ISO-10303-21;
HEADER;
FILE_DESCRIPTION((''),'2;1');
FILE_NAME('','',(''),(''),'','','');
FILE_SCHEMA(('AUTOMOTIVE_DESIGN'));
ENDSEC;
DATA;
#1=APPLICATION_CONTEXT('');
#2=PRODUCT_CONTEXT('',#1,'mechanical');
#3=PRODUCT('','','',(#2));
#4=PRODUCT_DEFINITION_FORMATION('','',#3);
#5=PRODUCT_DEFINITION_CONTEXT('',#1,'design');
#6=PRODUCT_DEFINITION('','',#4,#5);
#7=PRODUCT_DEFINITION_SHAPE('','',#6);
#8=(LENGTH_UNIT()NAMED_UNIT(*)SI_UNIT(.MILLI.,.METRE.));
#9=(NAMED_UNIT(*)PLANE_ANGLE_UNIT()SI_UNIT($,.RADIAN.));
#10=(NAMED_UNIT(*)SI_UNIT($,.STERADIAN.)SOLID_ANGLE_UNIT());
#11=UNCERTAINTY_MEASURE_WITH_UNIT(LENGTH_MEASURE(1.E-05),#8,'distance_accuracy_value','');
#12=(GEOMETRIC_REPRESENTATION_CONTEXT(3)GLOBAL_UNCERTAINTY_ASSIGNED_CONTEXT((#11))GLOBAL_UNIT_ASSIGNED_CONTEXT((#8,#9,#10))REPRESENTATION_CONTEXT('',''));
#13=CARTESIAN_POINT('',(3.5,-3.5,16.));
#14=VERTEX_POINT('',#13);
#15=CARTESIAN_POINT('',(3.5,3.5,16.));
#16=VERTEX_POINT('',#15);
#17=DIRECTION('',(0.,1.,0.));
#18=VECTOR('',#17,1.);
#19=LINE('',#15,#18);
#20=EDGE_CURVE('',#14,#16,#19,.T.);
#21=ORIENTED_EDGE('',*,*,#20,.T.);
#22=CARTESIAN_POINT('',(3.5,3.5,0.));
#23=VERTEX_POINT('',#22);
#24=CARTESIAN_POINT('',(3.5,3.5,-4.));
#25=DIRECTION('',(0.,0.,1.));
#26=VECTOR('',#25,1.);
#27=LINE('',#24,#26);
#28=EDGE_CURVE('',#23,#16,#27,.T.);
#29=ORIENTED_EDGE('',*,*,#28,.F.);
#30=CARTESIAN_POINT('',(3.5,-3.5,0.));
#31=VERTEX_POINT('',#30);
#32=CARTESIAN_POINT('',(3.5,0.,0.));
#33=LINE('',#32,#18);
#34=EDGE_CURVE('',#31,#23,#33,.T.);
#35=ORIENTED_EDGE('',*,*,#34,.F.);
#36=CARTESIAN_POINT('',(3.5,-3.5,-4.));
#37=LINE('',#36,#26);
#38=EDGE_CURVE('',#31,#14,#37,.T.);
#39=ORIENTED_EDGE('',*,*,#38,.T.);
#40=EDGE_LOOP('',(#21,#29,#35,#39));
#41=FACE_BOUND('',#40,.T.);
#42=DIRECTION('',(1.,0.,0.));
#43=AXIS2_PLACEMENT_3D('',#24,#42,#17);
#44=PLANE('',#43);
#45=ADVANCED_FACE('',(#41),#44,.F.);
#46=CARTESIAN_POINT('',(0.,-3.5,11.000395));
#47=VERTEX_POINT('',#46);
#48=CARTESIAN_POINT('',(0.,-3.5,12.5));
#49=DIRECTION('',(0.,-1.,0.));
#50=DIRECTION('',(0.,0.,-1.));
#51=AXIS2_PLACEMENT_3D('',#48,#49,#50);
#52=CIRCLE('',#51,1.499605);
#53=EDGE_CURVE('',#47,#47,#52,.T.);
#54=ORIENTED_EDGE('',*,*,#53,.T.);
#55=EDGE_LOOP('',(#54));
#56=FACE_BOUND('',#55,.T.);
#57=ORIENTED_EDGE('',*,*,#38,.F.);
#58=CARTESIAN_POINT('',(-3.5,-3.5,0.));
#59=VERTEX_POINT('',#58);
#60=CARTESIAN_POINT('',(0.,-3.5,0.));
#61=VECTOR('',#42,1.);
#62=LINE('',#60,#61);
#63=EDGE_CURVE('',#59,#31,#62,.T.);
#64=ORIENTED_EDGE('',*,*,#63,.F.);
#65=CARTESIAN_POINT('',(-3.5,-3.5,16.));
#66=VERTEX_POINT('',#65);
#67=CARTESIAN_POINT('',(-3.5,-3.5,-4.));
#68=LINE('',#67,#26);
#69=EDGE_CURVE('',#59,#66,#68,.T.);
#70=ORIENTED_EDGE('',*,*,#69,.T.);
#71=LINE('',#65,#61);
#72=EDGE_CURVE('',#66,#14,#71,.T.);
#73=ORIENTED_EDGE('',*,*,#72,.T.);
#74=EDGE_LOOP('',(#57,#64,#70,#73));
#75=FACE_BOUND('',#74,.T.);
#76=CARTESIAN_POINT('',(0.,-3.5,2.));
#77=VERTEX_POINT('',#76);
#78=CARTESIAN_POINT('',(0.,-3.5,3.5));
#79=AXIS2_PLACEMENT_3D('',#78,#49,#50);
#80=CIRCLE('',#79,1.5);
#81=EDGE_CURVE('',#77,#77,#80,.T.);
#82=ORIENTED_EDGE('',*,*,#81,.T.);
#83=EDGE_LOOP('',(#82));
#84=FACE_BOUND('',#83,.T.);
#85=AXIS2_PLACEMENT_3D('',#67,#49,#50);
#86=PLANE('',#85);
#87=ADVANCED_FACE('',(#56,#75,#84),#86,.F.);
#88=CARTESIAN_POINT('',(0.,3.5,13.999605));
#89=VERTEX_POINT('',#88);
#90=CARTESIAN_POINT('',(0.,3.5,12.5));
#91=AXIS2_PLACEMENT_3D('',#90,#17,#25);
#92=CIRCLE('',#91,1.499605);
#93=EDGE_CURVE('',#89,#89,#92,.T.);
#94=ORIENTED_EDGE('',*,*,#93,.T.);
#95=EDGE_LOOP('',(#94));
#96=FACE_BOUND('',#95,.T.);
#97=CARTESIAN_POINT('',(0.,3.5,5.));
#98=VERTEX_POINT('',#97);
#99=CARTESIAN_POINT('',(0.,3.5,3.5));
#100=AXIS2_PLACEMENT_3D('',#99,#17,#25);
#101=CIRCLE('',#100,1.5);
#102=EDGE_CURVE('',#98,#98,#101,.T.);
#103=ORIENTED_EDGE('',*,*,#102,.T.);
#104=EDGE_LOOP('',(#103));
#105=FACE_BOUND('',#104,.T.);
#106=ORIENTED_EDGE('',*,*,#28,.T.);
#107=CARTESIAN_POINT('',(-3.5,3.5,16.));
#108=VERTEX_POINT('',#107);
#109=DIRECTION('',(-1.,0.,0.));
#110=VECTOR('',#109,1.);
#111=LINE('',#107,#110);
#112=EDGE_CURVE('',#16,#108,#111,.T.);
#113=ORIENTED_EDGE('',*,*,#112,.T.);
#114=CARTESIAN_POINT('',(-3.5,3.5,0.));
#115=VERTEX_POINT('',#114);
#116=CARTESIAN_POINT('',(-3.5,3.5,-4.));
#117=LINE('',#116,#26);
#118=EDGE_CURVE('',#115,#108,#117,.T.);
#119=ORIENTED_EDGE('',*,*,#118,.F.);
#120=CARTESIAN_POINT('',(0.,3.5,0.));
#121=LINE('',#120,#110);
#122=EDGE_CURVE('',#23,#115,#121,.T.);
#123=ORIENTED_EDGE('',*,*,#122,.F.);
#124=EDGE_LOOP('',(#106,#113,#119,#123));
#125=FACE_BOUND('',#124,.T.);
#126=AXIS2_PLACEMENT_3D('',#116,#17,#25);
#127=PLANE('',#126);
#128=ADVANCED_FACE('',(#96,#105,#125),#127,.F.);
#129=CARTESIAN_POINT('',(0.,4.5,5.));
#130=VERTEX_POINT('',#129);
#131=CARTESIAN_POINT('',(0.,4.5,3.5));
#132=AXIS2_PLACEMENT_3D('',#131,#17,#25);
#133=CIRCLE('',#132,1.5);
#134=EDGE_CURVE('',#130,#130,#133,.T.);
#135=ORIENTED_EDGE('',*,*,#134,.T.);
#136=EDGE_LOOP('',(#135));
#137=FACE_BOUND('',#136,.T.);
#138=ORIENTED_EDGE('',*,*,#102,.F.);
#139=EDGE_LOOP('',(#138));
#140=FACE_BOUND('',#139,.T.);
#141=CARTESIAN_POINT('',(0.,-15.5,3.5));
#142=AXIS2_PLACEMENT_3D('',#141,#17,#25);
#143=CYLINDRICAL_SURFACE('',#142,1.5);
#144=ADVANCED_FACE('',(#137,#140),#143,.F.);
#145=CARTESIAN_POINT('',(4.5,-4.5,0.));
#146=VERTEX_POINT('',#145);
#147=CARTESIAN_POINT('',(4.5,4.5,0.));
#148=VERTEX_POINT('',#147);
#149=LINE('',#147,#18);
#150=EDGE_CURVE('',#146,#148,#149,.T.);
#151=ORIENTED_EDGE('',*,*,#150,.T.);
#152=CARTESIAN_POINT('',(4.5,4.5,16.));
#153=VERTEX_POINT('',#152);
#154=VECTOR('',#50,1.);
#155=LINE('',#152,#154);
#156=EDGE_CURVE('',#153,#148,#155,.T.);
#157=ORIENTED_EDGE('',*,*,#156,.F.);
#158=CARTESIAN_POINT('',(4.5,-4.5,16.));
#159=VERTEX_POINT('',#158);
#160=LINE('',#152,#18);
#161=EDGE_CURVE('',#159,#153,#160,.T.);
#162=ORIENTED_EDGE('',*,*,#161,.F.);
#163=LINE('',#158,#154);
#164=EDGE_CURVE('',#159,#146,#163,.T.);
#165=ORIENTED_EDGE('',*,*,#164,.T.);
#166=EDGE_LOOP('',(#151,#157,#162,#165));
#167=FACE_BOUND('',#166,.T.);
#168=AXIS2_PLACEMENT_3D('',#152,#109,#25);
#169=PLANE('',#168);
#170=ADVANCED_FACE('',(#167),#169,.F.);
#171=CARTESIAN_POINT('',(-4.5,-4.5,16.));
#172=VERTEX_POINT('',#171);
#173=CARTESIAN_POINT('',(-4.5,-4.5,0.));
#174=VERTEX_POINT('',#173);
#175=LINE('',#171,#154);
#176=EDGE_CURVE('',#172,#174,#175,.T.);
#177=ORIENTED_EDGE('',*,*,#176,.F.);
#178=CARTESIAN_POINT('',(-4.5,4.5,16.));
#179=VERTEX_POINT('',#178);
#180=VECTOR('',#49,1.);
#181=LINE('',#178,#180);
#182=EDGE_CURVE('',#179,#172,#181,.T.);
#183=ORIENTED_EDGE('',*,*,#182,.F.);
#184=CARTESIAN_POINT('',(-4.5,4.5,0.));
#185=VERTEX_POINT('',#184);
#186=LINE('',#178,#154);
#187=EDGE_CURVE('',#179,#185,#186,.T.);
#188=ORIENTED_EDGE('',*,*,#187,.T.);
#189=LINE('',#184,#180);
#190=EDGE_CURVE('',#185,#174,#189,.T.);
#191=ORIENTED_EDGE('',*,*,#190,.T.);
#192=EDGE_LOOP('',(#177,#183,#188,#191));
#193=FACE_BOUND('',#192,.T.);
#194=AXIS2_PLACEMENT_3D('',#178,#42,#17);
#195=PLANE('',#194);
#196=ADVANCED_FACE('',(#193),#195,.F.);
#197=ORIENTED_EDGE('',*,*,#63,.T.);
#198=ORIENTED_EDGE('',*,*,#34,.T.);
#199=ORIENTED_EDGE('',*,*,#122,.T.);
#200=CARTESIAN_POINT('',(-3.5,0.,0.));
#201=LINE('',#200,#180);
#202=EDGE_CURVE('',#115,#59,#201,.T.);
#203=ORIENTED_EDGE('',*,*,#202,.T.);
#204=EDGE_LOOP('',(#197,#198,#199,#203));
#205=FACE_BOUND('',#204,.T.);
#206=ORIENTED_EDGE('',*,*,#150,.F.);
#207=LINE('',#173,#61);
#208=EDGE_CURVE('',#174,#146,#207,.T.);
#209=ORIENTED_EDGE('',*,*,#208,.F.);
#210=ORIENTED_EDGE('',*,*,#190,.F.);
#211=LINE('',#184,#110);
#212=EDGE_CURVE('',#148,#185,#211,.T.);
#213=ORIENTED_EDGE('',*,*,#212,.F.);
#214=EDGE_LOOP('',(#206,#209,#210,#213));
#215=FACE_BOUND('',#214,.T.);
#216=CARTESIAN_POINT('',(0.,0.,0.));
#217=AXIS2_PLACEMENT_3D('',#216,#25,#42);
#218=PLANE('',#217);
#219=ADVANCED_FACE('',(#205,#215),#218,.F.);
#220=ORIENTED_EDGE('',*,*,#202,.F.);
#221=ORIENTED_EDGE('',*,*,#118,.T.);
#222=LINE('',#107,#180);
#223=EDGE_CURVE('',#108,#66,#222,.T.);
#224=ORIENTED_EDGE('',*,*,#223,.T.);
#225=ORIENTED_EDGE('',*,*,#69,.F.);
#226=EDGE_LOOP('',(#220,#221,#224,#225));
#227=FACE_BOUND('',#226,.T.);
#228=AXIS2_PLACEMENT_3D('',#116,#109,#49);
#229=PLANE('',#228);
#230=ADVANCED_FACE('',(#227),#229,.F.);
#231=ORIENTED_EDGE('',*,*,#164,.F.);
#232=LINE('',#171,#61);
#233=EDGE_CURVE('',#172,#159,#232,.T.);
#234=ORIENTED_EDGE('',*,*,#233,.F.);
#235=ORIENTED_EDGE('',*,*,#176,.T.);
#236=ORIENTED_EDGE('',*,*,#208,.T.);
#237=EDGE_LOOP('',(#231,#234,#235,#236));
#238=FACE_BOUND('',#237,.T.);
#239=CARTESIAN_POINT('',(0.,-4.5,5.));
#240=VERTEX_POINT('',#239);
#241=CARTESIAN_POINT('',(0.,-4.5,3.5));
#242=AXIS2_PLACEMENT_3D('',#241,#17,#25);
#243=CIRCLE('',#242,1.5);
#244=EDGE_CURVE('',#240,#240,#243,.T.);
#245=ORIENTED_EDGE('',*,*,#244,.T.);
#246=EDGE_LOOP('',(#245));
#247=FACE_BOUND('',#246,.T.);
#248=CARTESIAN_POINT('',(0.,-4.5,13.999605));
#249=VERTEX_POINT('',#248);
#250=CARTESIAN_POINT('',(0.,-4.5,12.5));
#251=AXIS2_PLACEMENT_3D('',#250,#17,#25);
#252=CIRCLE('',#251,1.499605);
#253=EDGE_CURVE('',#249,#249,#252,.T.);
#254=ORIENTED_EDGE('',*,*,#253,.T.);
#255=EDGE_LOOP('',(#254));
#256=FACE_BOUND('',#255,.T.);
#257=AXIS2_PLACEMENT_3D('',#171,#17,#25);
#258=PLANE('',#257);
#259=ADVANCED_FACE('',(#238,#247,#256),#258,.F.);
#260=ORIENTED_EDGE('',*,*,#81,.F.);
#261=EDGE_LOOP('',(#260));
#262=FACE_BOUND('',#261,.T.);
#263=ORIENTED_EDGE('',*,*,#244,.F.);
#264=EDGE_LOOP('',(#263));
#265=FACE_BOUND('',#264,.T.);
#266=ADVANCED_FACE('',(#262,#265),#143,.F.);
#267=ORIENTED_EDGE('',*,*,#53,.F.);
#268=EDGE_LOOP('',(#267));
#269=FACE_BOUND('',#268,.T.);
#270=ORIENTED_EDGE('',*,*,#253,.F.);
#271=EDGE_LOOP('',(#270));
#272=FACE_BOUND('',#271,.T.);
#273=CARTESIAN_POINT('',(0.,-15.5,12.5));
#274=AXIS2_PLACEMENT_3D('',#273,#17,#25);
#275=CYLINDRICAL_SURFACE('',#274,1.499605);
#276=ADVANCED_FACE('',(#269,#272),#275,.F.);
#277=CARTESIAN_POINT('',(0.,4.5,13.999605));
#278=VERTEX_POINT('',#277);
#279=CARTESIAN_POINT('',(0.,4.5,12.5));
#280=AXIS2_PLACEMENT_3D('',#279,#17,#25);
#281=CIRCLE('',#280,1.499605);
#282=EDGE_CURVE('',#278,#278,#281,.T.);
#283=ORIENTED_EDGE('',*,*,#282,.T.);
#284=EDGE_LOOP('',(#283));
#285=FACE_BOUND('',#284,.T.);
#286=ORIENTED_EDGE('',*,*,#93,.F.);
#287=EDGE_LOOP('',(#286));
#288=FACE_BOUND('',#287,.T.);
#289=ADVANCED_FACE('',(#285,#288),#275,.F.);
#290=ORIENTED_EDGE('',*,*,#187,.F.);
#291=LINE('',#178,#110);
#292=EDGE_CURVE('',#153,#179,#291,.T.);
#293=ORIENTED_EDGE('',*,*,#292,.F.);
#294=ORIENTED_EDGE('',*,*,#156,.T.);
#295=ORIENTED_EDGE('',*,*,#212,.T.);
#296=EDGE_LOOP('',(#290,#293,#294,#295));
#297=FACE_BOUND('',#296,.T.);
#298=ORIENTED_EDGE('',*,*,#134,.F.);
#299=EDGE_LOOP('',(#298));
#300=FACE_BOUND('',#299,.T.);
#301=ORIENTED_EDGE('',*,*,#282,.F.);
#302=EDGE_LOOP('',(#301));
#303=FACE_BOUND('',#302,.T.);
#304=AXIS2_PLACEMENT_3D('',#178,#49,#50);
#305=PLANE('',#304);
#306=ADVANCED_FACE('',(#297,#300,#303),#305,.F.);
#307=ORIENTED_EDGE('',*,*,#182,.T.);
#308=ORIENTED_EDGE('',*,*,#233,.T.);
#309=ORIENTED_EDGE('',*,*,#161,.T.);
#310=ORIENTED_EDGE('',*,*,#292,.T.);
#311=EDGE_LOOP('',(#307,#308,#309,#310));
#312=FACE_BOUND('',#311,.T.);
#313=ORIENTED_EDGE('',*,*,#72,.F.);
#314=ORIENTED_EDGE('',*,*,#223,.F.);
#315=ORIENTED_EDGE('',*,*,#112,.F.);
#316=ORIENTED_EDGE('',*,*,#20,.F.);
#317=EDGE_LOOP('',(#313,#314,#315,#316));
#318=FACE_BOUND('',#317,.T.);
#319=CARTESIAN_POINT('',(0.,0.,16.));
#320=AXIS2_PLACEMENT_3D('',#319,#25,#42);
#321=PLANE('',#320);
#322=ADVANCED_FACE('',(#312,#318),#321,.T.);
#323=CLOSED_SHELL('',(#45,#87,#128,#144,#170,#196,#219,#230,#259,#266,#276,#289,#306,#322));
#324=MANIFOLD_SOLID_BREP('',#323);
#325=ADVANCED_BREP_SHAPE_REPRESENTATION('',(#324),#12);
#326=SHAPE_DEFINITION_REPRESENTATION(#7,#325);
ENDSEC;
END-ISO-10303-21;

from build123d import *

# Parameters (mm, degrees)
SKETCH_1_W          = 9
SKETCH_1_H          = 9
EXTRUDE_1_DEPTH     = 16
SKETCH_2_W          = 7
SKETCH_2_H          = 7
CUT_EXTRUDE_1_DEPTH = 20
SKETCH_3_R          = 1.5
SKETCH_3_R_2        = 1.499605096
CUT_EXTRUDE_2_DEPTH = 20


with BuildPart() as part:
    # ｽｹｯﾁ1 → ﾎﾞｽ - 押し出し1 (new body)
    with BuildSketch(Plane.XY):
        Rectangle(SKETCH_1_W, SKETCH_1_H)
    extrude(amount=EXTRUDE_1_DEPTH)

    # ｽｹｯﾁ2 → ｶｯﾄ - 押し出し1 (cut)
    with BuildSketch(Plane.XY.offset(16)):
        Rectangle(SKETCH_2_W, SKETCH_2_H)
    extrude(amount=-CUT_EXTRUDE_1_DEPTH, mode=Mode.SUBTRACT)

    # ｽｹｯﾁ3 → ｶｯﾄ - 押し出し2 (cut)
    with BuildSketch(Plane(origin=(0, 4.5, 0), x_dir=(1, 0, 0), z_dir=(0, 1, 0))):
        with Locations((0, -3.5)):
            Circle(SKETCH_3_R)
        with Locations((0, -12.5)):
            Circle(SKETCH_3_R_2)
    extrude(amount=-CUT_EXTRUDE_2_DEPTH, mode=Mode.SUBTRACT)


solid = part.part
